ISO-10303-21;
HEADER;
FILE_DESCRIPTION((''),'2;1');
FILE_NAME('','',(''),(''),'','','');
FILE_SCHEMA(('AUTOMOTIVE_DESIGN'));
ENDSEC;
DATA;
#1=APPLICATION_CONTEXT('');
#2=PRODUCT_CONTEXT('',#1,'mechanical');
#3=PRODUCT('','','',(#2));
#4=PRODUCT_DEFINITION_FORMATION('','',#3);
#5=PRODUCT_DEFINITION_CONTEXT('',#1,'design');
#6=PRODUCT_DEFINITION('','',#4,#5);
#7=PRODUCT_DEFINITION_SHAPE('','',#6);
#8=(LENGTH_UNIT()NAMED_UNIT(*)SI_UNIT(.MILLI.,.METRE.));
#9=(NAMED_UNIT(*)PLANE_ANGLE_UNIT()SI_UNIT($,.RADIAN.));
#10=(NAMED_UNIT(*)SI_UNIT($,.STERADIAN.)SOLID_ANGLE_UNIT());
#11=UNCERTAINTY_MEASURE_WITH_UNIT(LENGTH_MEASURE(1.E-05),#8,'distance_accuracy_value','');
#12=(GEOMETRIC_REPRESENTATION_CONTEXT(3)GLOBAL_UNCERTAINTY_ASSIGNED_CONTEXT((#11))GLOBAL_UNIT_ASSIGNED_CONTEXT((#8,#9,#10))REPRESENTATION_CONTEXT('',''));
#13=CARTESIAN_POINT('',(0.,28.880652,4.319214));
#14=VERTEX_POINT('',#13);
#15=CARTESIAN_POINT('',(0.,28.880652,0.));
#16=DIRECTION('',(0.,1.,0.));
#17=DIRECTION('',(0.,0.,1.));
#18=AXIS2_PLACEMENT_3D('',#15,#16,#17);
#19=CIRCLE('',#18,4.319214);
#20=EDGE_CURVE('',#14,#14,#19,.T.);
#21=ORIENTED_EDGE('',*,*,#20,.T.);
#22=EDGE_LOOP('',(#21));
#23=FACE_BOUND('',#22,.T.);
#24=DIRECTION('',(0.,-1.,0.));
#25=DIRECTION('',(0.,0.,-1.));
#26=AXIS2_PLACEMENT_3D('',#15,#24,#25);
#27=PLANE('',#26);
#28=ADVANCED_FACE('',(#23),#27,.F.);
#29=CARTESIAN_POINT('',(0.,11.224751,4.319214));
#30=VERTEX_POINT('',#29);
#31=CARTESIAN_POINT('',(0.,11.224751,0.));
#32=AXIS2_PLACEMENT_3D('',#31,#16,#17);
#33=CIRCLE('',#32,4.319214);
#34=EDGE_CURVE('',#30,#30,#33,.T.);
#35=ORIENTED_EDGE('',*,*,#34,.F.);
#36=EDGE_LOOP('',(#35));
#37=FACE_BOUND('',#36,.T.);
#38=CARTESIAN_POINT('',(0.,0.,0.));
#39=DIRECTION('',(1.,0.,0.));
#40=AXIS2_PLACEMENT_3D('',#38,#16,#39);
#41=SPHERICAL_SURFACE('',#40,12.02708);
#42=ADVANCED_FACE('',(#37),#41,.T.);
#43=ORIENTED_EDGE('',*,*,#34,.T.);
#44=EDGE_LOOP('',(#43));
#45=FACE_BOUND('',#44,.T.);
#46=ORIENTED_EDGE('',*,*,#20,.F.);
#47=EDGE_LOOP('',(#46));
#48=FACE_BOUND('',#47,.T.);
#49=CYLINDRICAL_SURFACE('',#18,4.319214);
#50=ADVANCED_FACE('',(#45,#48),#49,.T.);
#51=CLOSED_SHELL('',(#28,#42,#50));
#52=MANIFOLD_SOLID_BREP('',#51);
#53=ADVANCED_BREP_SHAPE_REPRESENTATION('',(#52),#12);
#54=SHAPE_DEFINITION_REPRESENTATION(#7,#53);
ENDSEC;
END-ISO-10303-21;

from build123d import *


with BuildPart() as part:
    # Sketch1 → Revolve1 (revolve)
    with BuildSketch(Plane.XY):
        with BuildLine():
            Line((0, 28.880652216), (0, -12.027079949))
            ThreePointArc((0, -12.027079949), (11.82479673, -2.196550567), (4.319213653, 11.224751469))
            Line((4.319213653, 11.224751469), (4.319213653, 28.880652216))
            Line((4.319213653, 28.880652216), (0, 28.880652216))
        make_face()
    revolve(axis=Axis((0, 28.880652216, 0), (0, -1, 0)))


solid = part.part
